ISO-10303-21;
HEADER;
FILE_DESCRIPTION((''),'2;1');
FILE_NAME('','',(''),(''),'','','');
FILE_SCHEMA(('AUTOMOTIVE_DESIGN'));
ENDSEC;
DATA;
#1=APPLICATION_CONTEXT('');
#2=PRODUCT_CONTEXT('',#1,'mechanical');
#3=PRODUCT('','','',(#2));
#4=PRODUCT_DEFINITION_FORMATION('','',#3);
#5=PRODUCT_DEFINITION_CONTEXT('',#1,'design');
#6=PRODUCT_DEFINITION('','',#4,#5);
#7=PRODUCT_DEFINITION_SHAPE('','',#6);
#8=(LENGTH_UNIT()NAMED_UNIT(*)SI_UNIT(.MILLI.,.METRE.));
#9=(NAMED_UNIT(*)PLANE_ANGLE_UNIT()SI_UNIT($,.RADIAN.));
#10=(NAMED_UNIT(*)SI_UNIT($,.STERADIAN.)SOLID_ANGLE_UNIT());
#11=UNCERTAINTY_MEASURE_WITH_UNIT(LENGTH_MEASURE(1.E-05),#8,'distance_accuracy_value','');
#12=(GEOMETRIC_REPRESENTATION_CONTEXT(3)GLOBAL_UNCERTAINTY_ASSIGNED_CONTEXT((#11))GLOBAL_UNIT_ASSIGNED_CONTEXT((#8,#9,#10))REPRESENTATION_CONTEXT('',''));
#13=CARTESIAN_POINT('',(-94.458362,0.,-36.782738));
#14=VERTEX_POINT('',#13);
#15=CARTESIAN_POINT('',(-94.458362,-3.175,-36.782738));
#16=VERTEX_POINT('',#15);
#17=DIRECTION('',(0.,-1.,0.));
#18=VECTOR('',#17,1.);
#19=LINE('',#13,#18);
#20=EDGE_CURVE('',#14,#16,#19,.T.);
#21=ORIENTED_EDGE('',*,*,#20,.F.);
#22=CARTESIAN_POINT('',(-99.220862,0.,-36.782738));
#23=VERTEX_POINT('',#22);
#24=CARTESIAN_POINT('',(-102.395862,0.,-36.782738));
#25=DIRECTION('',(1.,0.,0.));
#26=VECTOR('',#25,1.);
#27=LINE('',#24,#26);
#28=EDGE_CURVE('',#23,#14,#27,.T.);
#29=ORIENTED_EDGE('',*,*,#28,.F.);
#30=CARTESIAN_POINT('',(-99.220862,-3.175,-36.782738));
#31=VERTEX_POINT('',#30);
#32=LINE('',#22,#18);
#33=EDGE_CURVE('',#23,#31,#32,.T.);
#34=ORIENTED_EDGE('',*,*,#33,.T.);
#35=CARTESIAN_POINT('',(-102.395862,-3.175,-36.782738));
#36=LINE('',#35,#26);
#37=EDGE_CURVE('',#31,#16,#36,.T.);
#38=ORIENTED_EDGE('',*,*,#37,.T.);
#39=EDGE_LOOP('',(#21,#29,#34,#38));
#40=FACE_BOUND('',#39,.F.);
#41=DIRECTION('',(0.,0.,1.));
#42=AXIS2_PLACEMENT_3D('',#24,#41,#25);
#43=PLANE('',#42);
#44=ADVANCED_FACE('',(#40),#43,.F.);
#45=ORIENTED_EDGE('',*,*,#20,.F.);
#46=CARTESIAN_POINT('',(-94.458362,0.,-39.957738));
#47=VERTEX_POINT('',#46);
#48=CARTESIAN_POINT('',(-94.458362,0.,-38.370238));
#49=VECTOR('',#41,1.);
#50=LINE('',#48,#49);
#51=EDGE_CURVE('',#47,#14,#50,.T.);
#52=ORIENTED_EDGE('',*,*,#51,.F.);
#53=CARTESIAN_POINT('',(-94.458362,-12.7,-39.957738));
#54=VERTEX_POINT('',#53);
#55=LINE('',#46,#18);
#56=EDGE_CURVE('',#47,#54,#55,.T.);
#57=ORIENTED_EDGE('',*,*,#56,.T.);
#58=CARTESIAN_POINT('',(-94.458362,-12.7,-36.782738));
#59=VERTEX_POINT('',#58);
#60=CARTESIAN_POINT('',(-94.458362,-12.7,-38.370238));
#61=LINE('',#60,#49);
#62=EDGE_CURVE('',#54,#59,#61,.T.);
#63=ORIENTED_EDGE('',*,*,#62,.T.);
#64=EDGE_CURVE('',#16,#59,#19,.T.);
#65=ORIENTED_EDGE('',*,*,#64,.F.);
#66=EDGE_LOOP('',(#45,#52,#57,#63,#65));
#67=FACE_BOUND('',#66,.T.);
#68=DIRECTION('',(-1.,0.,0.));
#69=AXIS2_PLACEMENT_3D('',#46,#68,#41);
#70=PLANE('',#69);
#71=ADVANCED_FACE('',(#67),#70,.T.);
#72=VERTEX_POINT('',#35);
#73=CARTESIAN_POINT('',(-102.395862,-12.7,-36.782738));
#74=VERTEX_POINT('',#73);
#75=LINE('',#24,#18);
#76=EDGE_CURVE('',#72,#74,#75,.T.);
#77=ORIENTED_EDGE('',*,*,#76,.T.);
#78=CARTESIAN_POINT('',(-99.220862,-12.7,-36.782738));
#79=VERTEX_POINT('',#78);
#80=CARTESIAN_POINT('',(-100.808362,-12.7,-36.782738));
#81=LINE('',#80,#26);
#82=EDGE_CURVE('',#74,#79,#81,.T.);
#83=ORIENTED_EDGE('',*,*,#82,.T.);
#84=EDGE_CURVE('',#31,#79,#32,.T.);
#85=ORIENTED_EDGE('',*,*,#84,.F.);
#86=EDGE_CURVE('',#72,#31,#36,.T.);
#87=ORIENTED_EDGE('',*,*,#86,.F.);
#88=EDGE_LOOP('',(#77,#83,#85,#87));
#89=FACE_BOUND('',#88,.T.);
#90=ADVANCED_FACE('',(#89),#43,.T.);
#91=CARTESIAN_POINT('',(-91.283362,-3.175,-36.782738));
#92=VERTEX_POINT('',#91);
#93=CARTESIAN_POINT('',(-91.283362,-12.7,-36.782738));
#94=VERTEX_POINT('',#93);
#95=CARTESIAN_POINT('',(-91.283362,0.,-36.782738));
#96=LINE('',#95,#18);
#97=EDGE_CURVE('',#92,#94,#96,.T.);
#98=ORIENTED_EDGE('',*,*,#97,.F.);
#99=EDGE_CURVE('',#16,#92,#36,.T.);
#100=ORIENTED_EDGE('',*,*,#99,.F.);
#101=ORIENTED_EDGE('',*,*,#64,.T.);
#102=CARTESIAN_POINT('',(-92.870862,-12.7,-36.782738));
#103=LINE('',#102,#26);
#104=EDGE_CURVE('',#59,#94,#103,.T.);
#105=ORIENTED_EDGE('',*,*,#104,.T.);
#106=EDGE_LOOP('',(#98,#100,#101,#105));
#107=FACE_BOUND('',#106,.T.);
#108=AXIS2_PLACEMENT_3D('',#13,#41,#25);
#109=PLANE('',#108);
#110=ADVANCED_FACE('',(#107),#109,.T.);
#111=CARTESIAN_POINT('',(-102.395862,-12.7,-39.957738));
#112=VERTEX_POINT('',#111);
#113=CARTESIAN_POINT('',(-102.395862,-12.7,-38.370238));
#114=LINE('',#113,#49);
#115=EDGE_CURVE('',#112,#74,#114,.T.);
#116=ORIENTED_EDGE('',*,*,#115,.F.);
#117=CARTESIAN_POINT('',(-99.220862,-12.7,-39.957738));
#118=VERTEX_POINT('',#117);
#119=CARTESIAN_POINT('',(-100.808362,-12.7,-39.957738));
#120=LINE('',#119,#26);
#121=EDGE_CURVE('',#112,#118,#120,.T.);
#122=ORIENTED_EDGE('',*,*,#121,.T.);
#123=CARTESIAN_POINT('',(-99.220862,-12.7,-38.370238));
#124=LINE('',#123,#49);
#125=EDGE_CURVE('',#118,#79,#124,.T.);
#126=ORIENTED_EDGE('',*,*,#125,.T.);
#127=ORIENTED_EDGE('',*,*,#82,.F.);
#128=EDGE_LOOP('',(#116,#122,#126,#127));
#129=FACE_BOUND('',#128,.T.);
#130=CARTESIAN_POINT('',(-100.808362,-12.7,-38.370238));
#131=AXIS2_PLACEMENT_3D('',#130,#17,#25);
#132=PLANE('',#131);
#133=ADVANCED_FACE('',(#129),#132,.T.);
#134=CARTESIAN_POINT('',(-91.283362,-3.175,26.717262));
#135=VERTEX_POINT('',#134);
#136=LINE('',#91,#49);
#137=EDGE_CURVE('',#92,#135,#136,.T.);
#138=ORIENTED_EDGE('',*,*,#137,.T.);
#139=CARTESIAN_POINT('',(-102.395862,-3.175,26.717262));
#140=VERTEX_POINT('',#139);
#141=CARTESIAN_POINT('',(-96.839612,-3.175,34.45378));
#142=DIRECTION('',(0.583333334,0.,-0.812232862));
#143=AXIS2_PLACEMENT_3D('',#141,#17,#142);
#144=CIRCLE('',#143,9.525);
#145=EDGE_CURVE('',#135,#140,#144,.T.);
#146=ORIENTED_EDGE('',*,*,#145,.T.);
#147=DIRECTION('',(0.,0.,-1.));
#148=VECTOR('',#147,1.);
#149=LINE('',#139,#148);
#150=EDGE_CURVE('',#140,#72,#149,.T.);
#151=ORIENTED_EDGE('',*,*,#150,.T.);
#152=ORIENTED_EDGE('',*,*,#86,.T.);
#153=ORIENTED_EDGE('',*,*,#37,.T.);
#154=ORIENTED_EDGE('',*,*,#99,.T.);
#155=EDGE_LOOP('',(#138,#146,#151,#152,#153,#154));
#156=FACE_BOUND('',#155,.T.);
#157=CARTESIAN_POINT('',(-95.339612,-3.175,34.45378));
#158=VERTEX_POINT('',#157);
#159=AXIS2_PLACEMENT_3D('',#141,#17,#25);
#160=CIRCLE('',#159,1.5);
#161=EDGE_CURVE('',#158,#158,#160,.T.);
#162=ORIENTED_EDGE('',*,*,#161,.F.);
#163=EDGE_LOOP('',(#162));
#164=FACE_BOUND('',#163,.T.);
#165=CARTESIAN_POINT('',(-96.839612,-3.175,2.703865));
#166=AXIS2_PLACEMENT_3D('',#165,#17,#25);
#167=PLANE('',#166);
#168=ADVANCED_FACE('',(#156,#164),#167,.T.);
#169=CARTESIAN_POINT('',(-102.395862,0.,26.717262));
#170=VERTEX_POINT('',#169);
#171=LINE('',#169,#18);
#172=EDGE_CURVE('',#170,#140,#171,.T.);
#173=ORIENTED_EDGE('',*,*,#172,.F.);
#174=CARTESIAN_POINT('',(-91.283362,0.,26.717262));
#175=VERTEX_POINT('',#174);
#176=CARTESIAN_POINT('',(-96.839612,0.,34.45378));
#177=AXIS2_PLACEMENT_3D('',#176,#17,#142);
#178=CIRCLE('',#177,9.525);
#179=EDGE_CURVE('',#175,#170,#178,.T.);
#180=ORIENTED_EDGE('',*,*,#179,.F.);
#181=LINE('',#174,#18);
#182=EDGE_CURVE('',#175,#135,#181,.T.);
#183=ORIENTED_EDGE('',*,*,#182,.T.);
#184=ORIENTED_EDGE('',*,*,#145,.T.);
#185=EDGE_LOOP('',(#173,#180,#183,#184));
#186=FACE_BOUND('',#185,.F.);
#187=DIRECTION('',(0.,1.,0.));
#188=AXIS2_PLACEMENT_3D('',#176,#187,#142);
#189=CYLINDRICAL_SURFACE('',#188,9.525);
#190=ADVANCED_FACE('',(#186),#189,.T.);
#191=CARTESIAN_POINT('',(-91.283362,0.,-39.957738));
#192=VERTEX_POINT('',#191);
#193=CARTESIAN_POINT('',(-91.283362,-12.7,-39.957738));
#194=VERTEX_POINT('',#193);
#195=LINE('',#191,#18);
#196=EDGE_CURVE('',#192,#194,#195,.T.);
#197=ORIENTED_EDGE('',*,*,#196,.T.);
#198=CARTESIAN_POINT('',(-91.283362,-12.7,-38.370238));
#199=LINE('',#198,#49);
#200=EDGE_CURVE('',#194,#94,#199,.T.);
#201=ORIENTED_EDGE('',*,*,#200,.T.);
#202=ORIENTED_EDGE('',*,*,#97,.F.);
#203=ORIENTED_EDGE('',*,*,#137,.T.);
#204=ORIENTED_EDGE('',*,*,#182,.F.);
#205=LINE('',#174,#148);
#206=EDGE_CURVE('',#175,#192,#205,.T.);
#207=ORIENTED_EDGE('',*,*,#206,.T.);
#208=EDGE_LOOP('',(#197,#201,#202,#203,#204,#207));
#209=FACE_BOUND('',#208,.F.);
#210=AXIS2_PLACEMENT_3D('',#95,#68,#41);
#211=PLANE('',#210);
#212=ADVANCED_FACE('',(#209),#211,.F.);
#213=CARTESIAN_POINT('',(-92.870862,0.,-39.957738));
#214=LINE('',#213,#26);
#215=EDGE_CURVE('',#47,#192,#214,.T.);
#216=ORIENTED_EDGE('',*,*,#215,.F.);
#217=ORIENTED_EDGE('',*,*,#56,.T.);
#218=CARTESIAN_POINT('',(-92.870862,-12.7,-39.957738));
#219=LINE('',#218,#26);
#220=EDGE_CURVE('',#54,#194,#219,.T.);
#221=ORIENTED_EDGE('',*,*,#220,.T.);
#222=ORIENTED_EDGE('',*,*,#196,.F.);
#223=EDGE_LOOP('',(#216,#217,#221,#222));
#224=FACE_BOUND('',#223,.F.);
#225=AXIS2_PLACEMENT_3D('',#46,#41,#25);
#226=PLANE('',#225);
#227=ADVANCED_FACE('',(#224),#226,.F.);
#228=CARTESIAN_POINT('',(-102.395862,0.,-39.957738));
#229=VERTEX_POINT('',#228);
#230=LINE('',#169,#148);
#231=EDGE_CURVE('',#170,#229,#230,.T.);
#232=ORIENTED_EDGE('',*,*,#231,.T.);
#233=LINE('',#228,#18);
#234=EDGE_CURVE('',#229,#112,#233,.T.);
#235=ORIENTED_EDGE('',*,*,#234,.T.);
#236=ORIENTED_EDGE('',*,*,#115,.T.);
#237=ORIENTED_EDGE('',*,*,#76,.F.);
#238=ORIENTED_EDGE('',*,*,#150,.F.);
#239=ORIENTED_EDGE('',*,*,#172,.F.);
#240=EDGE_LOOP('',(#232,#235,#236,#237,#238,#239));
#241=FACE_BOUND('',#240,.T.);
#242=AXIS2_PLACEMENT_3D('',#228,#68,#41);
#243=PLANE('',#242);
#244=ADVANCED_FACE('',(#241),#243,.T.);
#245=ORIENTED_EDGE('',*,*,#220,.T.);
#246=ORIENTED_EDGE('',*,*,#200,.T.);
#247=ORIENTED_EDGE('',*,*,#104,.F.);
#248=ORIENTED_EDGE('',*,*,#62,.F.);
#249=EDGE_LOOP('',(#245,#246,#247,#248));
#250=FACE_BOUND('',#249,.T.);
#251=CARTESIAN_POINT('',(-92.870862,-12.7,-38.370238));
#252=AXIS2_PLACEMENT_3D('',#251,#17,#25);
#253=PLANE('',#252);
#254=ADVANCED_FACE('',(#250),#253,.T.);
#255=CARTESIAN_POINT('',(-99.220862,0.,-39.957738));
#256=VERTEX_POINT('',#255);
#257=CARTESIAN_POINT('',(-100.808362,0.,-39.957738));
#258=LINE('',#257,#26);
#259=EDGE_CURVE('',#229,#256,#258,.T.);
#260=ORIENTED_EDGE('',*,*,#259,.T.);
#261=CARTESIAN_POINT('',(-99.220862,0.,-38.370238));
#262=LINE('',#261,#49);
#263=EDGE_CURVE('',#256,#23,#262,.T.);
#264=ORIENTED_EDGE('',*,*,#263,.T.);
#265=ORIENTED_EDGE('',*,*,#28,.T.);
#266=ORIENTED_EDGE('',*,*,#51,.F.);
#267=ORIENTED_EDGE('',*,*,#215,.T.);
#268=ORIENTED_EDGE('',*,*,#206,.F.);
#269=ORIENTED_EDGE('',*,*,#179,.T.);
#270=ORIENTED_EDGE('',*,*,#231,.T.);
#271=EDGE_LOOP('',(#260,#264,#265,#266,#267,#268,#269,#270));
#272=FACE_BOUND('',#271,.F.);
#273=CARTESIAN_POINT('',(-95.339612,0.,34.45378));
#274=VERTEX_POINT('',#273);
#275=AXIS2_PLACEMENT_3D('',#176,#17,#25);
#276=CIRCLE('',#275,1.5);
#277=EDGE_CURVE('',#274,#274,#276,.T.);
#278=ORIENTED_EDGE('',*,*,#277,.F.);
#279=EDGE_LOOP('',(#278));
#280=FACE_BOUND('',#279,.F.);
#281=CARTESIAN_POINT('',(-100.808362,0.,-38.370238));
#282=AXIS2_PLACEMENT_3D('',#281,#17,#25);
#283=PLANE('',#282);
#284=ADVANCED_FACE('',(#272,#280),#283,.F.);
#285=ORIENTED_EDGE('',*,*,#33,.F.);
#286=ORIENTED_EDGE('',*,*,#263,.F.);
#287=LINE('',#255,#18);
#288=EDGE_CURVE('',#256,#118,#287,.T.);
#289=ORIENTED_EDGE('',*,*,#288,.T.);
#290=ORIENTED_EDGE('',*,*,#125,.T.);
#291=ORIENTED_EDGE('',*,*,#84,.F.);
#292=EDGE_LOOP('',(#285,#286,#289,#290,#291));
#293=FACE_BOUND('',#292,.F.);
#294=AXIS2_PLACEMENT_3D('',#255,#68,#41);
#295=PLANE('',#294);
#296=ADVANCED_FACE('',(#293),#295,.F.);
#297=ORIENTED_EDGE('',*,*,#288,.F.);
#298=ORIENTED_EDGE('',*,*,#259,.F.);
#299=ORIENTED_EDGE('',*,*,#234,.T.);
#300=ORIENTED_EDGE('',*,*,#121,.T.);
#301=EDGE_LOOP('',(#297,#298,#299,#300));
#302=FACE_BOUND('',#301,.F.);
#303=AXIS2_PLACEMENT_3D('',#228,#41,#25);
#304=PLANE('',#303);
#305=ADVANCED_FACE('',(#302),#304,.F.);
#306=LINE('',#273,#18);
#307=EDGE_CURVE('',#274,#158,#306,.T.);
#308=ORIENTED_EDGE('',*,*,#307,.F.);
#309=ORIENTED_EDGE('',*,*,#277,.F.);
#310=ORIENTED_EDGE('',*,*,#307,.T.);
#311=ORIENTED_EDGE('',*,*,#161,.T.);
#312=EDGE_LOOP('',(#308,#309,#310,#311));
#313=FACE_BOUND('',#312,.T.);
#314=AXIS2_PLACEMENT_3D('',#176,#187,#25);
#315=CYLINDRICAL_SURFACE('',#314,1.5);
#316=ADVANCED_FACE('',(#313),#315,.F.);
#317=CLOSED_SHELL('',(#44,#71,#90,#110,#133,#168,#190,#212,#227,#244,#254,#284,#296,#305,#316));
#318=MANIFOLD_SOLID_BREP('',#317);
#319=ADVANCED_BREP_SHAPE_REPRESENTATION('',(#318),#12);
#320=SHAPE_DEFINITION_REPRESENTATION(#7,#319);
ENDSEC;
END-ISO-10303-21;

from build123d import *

# Parameters (mm, degrees)
F0_R     = 1.5
F1_DEPTH = 3.175
F0_W     = 3.175
F0_H     = 3.175
F2_DEPTH = 12.7


with BuildPart() as f1:
    # F0 (on Front) → F1 (new body)
    with BuildSketch(Plane.XZ):
        with BuildLine():
            Line((-91.283362, -36.782738), (-91.283362, 26.717262))
            ThreePointArc((-91.283362, 26.717262), (-96.839612, 43.97878), (-102.395862, 26.717262))
            Line((-102.395862, 26.717262), (-102.395862, -36.782738))
            Line((-102.395862, -36.782738), (-99.220862, -36.782738))
            Line((-99.220862, -36.782738), (-94.458362, -36.782738))
            Line((-94.458362, -36.782738), (-91.283362, -36.782738))
        make_face()
        with Locations((-96.839612, 34.45378)):
            Circle(F0_R, mode=Mode.SUBTRACT)
    extrude(amount=F1_DEPTH)

    # F0 (on Front) → F2 (join)
    with BuildSketch(Plane.XZ):
        with Locations((-100.808362, -38.370238)):
            Rectangle(F0_W, F0_H)
        with Locations((-92.870862, -38.370238)):
            Rectangle(F0_W, F0_H)
    extrude(amount=F2_DEPTH)


solid = f1.part
